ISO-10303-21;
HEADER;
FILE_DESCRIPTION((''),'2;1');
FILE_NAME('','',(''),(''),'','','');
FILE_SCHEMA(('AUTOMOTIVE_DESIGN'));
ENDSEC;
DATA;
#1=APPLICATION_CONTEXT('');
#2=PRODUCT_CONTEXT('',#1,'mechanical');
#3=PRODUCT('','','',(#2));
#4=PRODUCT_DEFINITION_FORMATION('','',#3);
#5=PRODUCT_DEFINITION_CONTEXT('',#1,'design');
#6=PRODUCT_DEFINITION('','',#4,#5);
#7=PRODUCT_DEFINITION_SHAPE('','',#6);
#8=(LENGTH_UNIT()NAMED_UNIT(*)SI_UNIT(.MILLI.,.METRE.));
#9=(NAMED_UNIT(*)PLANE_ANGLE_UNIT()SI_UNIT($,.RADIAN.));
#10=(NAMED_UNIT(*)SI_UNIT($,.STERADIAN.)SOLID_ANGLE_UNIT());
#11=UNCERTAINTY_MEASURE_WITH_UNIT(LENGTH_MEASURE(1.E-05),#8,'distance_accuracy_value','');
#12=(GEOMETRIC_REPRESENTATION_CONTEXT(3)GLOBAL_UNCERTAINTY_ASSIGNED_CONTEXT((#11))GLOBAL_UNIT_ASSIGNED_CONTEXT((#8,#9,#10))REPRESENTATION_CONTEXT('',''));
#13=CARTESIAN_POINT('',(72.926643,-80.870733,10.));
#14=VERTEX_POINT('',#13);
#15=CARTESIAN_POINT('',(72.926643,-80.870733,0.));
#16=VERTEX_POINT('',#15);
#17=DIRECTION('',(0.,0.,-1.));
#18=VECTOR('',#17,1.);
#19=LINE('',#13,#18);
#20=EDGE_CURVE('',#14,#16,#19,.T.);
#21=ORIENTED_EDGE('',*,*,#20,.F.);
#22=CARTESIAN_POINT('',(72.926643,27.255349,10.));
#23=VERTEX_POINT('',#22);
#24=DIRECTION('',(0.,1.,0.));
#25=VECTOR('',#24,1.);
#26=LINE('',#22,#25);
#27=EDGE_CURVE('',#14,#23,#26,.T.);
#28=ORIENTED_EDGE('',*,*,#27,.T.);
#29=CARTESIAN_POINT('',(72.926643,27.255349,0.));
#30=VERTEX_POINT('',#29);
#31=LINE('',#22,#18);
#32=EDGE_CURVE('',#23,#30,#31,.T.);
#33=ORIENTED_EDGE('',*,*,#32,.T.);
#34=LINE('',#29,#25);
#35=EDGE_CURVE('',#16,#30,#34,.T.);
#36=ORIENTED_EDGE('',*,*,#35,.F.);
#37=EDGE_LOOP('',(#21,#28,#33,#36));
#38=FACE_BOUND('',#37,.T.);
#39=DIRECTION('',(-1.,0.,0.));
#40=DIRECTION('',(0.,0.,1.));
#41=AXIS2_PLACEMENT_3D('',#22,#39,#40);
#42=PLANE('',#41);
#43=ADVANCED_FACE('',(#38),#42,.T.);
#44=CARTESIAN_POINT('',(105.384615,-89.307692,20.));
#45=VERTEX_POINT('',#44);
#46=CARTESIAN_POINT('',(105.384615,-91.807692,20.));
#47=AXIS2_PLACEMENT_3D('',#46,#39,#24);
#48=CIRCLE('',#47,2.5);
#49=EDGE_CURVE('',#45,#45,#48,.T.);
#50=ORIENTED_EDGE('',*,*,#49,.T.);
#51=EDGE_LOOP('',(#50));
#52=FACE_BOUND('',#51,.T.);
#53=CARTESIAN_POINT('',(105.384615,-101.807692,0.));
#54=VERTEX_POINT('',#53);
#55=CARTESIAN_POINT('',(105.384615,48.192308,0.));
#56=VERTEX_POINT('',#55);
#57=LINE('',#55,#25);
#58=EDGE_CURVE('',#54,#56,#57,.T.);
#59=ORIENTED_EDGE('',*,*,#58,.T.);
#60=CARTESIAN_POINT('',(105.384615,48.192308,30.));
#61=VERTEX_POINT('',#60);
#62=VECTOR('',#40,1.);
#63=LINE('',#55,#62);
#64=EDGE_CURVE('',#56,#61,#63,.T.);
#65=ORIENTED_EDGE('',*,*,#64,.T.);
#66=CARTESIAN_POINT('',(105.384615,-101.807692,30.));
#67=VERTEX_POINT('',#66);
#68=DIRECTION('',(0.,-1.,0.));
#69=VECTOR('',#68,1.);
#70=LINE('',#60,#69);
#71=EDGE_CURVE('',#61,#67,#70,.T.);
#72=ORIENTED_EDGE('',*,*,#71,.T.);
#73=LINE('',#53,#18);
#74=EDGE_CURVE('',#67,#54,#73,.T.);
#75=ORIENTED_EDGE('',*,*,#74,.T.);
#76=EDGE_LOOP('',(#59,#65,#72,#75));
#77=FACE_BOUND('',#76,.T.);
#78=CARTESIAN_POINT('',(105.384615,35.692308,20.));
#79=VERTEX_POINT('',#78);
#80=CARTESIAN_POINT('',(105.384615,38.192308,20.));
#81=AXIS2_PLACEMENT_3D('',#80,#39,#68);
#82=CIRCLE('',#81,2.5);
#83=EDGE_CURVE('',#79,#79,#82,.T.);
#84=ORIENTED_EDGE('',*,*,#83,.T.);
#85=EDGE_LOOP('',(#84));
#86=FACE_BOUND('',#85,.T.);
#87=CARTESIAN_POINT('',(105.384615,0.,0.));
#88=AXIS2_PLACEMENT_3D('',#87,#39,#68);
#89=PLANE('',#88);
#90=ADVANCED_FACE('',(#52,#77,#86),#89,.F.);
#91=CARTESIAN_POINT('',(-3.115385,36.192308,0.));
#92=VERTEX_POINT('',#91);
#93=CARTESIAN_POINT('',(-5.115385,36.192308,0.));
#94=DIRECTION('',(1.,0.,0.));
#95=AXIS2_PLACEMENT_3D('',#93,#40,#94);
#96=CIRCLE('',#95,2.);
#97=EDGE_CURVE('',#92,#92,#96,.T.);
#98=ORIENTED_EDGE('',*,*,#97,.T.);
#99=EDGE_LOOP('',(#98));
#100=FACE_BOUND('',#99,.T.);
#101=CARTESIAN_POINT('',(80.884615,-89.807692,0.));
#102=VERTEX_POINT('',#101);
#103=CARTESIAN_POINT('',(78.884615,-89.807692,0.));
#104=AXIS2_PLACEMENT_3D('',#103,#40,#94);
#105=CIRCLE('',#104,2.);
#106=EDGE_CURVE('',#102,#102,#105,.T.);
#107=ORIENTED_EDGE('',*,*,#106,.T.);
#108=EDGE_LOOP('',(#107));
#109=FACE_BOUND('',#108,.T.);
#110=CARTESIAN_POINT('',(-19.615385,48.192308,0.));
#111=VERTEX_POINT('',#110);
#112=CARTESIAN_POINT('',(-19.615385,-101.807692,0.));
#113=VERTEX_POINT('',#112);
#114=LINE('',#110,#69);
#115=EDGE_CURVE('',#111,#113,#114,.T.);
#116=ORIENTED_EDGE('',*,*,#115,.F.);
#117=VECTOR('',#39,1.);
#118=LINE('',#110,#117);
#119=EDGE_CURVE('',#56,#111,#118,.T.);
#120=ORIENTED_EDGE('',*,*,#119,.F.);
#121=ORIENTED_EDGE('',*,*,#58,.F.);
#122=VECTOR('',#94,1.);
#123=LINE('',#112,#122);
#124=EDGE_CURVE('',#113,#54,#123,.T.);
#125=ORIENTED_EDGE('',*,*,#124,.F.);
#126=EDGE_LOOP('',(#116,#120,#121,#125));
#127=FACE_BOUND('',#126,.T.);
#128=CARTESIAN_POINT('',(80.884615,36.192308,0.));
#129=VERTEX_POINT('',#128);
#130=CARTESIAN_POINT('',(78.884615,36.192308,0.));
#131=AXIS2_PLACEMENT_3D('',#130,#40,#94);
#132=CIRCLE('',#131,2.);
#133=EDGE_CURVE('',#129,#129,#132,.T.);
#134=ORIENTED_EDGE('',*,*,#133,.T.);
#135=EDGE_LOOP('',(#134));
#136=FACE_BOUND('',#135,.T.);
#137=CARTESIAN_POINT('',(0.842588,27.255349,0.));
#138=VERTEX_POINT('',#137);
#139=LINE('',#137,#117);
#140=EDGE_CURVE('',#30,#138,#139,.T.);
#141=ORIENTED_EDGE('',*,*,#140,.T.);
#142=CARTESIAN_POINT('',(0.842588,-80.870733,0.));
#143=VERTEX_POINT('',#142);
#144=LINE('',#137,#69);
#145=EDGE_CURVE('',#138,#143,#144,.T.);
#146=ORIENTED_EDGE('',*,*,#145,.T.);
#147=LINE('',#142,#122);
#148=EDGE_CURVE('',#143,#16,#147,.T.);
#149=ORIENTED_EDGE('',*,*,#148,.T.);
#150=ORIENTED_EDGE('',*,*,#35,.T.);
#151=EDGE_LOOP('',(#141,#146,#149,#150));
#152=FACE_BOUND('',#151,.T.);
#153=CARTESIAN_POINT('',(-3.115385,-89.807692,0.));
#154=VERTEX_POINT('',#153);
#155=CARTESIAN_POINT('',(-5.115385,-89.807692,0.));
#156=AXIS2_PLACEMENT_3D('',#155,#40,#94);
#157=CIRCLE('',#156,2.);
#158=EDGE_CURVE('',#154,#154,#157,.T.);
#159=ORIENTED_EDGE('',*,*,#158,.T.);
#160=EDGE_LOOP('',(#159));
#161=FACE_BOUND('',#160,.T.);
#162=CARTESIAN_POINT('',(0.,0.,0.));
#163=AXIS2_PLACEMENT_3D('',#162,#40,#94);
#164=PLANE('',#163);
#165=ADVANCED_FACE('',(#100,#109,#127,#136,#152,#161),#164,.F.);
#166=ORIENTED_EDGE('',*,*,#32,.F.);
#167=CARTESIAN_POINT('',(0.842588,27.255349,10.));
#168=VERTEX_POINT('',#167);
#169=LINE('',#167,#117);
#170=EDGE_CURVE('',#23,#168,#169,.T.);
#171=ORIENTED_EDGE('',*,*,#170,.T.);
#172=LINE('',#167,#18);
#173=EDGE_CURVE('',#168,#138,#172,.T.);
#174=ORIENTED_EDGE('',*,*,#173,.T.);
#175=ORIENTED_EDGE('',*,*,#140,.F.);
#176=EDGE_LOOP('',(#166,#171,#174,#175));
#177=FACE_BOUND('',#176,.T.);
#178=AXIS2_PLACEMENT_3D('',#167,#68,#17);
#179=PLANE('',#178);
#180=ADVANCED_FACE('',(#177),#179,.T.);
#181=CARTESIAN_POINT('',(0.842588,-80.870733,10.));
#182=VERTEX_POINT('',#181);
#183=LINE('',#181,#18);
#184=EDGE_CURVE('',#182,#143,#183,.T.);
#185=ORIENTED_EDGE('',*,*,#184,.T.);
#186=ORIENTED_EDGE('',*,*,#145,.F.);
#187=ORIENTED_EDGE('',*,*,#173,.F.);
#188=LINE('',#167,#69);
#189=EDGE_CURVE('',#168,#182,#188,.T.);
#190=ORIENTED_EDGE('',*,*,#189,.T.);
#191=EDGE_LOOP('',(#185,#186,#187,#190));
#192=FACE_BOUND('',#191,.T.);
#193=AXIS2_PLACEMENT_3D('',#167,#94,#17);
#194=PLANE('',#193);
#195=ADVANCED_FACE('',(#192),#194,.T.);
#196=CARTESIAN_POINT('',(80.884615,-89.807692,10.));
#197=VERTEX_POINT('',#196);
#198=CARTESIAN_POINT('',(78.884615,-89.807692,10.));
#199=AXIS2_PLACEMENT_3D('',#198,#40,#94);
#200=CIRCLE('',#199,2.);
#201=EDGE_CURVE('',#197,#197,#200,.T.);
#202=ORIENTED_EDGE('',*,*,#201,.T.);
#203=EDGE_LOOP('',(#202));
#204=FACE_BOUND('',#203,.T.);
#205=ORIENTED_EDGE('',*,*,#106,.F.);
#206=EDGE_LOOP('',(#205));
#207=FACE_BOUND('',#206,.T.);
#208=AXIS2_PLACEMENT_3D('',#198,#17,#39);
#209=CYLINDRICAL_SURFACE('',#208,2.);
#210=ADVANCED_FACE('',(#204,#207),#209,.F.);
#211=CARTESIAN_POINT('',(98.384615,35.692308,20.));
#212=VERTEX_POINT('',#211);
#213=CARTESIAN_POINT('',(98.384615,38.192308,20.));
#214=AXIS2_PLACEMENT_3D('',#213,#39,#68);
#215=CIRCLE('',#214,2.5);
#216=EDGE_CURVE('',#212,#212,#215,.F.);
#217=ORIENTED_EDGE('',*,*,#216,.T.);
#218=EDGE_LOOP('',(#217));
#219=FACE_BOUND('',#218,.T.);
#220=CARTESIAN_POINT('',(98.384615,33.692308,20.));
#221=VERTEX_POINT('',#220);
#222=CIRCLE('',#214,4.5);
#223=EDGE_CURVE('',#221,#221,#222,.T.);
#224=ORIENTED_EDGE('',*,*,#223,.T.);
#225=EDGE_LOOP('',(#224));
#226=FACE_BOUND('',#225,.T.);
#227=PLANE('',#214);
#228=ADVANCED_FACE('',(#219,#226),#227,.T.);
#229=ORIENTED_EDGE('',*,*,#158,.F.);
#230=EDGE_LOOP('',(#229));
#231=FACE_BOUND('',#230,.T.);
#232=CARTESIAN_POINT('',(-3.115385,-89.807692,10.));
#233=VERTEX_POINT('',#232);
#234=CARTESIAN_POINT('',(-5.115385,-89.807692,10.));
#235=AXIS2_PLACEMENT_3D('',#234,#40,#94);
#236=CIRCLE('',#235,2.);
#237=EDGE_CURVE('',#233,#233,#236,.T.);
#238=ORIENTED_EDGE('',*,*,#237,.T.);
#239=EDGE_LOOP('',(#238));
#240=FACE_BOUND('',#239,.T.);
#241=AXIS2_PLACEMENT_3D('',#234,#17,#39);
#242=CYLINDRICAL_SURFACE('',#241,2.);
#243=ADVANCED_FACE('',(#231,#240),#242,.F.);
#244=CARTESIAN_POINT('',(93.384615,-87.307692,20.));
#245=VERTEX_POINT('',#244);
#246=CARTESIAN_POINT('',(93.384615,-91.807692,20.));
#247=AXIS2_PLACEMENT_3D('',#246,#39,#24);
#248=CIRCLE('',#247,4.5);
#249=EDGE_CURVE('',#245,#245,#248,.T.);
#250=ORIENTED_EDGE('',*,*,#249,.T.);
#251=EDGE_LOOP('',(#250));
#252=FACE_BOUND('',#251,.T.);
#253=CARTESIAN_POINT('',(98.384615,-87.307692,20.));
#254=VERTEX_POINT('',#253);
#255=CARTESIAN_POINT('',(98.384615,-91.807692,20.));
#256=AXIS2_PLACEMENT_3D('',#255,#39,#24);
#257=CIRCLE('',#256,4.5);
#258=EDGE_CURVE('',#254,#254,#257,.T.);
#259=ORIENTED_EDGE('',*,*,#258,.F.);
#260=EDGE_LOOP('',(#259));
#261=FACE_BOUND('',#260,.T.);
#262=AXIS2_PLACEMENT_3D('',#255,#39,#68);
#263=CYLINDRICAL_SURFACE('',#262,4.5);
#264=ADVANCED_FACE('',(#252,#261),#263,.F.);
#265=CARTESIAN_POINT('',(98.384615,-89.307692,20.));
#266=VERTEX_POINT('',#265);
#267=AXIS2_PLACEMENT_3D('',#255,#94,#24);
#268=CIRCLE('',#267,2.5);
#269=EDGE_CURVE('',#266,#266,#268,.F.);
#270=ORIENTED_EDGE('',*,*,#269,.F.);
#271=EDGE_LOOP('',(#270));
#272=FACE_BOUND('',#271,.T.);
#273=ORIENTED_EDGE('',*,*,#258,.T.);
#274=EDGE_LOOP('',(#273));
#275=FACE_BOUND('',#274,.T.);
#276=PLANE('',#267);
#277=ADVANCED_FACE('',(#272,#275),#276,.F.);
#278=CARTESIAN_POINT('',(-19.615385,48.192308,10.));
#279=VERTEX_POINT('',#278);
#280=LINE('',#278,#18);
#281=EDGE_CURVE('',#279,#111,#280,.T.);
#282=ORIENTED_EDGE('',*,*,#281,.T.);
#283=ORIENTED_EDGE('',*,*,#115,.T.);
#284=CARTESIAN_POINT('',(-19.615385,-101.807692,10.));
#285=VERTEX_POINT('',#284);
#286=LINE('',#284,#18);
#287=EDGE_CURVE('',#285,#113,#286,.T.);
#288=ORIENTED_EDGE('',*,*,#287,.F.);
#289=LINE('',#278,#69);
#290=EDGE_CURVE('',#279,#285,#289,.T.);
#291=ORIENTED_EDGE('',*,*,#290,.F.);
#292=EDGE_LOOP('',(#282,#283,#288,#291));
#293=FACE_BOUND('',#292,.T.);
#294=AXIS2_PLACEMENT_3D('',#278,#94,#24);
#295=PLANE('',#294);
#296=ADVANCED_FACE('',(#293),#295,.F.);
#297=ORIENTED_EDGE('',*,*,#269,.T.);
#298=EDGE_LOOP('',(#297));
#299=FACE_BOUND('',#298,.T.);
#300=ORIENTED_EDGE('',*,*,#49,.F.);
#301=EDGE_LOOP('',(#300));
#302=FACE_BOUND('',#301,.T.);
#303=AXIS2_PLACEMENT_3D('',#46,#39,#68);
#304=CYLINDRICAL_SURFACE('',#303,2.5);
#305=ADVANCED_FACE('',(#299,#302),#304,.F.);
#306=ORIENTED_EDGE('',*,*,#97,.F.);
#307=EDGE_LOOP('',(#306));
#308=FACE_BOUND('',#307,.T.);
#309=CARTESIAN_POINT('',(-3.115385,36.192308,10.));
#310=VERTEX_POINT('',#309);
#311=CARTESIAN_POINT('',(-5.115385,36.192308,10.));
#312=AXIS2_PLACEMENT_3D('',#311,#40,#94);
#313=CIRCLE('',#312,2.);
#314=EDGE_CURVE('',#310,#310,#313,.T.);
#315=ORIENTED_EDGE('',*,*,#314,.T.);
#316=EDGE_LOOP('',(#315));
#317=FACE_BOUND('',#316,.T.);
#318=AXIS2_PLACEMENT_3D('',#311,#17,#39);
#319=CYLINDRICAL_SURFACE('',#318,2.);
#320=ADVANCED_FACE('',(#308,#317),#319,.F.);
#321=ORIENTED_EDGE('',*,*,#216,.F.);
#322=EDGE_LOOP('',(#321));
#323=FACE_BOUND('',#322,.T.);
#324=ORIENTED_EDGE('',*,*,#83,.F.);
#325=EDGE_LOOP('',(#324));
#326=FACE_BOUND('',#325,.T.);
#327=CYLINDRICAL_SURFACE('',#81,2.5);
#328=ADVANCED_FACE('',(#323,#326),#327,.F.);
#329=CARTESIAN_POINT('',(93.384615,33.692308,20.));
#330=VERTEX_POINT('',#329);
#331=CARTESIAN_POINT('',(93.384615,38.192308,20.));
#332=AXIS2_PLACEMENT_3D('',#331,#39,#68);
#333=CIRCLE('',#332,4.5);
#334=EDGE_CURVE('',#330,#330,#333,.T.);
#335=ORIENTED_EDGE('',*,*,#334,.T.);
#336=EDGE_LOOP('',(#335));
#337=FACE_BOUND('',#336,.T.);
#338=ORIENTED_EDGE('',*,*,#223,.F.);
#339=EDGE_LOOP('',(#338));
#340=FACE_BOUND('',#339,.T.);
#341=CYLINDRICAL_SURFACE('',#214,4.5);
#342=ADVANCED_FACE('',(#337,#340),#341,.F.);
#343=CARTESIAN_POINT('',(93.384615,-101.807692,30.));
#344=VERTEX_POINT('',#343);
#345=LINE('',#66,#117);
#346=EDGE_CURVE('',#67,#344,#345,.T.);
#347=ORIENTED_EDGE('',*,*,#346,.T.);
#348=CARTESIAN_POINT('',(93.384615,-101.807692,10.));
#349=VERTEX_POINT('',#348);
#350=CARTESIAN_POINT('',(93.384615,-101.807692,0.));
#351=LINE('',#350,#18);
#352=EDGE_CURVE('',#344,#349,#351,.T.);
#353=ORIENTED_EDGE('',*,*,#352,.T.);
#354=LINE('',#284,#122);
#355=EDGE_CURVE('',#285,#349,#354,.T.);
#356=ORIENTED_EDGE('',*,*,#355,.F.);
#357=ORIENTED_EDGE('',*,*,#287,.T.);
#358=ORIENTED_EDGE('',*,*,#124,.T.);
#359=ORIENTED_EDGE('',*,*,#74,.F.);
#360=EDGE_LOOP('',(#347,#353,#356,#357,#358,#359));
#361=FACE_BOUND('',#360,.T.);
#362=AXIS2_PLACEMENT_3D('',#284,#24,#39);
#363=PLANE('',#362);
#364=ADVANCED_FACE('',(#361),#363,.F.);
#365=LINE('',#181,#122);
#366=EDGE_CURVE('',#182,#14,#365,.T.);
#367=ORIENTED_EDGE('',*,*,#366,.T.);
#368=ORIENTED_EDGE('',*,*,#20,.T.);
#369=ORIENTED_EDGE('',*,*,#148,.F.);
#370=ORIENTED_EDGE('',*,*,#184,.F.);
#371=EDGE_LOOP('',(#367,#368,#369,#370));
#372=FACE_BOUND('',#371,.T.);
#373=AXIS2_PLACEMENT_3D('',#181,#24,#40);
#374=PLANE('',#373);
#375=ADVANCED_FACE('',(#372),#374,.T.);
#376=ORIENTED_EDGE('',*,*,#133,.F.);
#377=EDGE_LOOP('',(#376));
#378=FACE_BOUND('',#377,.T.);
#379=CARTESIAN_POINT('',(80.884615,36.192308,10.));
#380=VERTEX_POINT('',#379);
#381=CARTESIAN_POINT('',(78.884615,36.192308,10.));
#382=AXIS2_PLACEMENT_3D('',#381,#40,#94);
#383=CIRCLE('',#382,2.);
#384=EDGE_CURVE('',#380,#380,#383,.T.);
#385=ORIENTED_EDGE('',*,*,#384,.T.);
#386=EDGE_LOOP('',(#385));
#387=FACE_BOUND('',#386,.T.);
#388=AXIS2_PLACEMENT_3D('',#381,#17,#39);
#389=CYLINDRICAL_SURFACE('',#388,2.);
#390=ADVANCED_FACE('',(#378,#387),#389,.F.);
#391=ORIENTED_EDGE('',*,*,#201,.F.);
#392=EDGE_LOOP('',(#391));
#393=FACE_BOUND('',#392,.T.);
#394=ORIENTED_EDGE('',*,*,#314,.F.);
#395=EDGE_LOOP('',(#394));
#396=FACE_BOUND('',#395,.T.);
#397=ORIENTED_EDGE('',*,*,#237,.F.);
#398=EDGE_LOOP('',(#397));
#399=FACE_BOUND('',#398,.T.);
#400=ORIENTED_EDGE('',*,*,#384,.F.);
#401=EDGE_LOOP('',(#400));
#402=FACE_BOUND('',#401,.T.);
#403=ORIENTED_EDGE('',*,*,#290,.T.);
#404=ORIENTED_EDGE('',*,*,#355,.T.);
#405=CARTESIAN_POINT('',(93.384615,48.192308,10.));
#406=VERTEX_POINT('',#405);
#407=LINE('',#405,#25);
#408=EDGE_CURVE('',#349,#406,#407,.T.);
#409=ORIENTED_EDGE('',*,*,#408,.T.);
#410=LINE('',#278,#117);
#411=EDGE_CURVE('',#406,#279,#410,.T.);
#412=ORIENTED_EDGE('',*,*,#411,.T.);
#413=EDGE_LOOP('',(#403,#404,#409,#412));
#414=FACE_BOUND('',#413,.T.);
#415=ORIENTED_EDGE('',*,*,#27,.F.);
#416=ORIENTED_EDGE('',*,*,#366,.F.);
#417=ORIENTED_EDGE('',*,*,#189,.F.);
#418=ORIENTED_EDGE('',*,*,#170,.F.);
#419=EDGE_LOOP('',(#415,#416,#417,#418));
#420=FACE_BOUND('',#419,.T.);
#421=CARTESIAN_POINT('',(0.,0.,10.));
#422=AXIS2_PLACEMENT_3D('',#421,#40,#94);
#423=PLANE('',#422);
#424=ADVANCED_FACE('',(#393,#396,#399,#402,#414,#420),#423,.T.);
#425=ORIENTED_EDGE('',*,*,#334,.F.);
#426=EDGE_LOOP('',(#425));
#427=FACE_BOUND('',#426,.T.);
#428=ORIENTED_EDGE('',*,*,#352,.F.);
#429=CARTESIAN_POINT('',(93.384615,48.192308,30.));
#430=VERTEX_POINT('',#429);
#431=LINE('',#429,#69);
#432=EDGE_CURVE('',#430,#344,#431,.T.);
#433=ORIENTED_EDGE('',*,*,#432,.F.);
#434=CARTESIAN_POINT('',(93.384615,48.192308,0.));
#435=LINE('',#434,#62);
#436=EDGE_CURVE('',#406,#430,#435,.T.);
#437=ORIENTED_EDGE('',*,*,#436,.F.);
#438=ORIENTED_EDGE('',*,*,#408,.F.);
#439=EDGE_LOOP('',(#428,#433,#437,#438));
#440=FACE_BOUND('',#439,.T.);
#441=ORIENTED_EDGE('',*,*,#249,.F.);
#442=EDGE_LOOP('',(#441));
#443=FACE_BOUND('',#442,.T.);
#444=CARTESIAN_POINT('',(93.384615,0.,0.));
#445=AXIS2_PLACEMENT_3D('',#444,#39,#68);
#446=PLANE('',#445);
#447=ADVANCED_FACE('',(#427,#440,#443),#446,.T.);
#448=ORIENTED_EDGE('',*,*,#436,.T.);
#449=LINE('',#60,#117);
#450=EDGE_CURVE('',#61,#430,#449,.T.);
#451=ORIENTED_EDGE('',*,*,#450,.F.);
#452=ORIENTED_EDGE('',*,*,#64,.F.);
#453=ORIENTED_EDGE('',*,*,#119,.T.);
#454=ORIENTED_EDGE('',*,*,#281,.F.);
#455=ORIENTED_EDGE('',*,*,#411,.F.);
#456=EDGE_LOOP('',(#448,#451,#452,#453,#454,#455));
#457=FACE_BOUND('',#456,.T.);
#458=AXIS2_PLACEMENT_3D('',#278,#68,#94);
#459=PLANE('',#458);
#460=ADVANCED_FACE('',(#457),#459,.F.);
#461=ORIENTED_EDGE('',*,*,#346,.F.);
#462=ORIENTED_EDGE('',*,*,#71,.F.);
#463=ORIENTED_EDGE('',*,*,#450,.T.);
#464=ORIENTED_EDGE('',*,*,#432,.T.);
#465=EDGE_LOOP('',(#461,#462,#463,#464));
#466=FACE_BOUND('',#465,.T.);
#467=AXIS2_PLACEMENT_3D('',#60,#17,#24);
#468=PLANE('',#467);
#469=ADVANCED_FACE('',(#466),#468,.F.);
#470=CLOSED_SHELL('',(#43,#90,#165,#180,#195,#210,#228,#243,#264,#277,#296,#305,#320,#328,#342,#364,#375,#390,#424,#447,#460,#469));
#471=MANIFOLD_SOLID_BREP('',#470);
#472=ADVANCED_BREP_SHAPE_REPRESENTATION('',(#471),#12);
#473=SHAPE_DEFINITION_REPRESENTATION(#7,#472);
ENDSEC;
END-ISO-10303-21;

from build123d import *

# Parameters (mm, degrees)
SKETCH_1_W          = 113
SKETCH_1_H          = 150
SKETCH_1_R          = 2
SKETCH_1_W_2        = 72.084054685
SKETCH_1_H_2        = 108.126082027
EXTRUDE_1_DEPTH     = 10
SKETCH_2_W          = 30
SKETCH_2_H          = 150
EXTRUDE_2_DEPTH     = 12
SKETCH_3_R          = 2.5
CUT_EXTRUDE_2_DEPTH = 12
SKETCH_6_R          = 4.5
CUT_EXTRUDE_5_DEPTH = 5


with BuildPart() as part:
    # 草图1 → 凸台-拉伸1 (new body)
    with BuildSketch(Plane.XY):
        with Locations((36.884615385, -26.807692308)):
            Rectangle(SKETCH_1_W, SKETCH_1_H)
        with Locations((78.884615385, 36.192307692)):
            Circle(SKETCH_1_R, mode=Mode.SUBTRACT)
        with Locations((-5.115384615, 36.192307692)):
            Circle(SKETCH_1_R, mode=Mode.SUBTRACT)
        with Locations((78.884615385, -89.807692308)):
            Circle(SKETCH_1_R, mode=Mode.SUBTRACT)
        with Locations((-5.115384615, -89.807692308)):
            Circle(SKETCH_1_R, mode=Mode.SUBTRACT)
        with Locations((36.884615385, -26.807692307)):
            Rectangle(SKETCH_1_W_2, SKETCH_1_H_2, mode=Mode.SUBTRACT)
    extrude(amount=EXTRUDE_1_DEPTH)

    # 草图2 → 凸台-拉伸2 (add)
    with BuildSketch(Plane(origin=(93.384615385, 0, 0), x_dir=(0, 0, -1), z_dir=(1, 0, 0))):
        with Locations((-15, -26.807692308)):
            Rectangle(SKETCH_2_W, SKETCH_2_H)
    extrude(amount=EXTRUDE_2_DEPTH)

    # 草图3 → 切除-拉伸2 (cut)
    with BuildSketch(Plane.ZY.offset(-93.384615385)):
        with Locations(Location((20, 38.192307692, 0), (0, 0, 270))):
            Circle(SKETCH_3_R)
        with Locations(Location((20, -91.807692308, 0), (0, 0, 90))):
            Circle(SKETCH_3_R)
    extrude(amount=-CUT_EXTRUDE_2_DEPTH, mode=Mode.SUBTRACT)

    # 草图6 → 切除-拉伸5 (cut)
    with BuildSketch(Plane.ZY.offset(-93.384615385)):
        with Locations(Location((20, 38.192307692, 0), (0, 0, 270))):
            Circle(SKETCH_6_R)
        with Locations(Location((20, -91.807692308, 0), (0, 0, 90))):
            Circle(SKETCH_6_R)
    extrude(amount=-CUT_EXTRUDE_5_DEPTH, mode=Mode.SUBTRACT)


solid = part.part
